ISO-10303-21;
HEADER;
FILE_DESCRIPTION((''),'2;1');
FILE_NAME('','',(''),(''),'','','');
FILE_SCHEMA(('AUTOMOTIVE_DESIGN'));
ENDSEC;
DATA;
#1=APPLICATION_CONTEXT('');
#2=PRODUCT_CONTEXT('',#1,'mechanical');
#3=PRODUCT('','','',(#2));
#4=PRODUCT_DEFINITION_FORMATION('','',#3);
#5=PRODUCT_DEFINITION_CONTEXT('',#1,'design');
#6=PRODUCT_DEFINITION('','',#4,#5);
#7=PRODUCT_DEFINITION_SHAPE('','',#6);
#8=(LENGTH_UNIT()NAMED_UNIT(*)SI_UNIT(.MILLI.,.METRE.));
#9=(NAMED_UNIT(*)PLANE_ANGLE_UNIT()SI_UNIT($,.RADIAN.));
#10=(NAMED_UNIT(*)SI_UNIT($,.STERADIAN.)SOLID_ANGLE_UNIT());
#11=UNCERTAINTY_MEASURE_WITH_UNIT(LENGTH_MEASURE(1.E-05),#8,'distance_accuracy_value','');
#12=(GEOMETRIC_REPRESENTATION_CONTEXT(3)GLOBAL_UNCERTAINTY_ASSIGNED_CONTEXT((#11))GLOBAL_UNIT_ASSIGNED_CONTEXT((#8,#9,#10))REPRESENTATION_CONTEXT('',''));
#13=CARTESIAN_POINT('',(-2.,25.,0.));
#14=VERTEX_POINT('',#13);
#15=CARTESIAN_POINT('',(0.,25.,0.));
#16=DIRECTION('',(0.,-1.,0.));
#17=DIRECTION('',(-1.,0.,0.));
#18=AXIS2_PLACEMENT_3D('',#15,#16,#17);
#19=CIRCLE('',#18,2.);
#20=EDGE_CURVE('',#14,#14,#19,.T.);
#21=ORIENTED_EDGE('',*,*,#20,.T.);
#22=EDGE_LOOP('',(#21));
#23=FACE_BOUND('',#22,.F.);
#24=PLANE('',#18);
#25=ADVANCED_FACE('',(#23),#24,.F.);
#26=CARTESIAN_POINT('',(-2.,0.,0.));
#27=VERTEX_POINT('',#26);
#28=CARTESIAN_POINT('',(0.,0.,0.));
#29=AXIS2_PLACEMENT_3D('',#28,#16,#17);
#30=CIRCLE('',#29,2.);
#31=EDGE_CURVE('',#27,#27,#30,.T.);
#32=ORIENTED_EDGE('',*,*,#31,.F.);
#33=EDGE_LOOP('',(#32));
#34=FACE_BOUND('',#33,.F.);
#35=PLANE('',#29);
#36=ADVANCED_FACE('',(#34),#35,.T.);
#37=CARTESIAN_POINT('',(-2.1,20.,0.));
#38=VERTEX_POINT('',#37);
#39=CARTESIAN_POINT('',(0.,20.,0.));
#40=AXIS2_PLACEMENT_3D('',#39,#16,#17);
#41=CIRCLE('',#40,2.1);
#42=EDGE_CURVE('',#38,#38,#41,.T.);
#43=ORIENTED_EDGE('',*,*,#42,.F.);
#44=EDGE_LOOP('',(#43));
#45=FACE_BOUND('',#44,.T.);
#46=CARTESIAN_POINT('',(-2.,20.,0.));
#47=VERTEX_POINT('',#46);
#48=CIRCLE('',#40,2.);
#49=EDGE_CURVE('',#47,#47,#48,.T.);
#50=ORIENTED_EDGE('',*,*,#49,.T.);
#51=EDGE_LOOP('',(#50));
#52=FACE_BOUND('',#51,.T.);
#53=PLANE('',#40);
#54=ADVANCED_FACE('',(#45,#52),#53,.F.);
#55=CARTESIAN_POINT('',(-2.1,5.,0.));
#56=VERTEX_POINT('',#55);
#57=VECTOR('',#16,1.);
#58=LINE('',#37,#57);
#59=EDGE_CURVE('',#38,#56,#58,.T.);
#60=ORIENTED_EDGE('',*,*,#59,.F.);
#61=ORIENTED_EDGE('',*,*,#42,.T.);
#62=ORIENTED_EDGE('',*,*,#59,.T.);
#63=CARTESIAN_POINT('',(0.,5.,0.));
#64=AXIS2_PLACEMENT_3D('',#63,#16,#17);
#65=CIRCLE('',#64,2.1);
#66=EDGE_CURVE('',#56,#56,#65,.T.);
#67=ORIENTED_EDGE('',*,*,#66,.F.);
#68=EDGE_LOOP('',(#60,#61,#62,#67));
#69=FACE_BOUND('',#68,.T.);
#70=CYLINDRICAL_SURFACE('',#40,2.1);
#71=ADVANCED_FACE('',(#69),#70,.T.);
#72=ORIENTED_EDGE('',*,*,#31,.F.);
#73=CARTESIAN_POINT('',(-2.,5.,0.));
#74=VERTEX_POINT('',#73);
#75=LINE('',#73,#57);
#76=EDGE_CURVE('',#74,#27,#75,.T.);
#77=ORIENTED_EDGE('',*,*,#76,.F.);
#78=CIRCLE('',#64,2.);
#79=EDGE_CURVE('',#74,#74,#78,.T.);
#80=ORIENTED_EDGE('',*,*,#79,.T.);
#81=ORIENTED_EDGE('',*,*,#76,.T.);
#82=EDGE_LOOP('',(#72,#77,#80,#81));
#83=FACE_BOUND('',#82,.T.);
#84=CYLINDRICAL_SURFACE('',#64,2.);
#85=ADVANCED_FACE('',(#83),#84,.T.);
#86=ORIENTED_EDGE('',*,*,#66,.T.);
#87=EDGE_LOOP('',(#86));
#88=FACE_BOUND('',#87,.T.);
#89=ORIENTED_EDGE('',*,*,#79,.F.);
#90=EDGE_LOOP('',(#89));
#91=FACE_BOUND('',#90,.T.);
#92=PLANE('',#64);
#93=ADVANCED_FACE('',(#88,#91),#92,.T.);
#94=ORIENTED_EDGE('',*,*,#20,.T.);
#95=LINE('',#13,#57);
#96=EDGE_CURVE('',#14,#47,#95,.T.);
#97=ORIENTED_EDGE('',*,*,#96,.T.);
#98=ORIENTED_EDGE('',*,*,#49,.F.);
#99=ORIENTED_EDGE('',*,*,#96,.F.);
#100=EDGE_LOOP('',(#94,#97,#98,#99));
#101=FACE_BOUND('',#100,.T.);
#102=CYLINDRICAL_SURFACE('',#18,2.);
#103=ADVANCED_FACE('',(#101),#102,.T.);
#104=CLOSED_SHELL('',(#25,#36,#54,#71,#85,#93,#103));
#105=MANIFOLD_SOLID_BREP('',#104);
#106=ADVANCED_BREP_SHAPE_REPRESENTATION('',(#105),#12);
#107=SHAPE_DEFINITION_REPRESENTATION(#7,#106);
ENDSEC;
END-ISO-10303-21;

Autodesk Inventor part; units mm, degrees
ref_plane "YZ Plane" through (0, 0, 0) normal (1, 0, 0) x (0, 1, 0)
ref_plane "XZ Plane" through (0, 0, 0) normal (0, 1, 0) x (-1, 0, 0)
ref_plane "XY Plane" through (0, 0, 0) normal (0, 0, 1) x (1, 0, 0)
sketch "Sketch1" plane through (0, 0, 0) normal (0, 0, 1) x (1, 0, 0)
  line L0 (0, 0) -> (-2, 0)
  line L1 (-2, 25) -> (0, 25)
  line L2 (0, 25) -> (0, 0)
  line L3 (-2, 25) -> (-2, 20)
  line L4 (-2, 20) -> (-2.1, 20)
  line L5 (-2.1, 20) -> (-2.1, 5)
  line L6 (-2.1, 5) -> (-2, 5)
  line L7 (-2, 5) -> (-2, 0)
  dimension "d0" = 2
  dimension "d7" = 2.1
  dimension "d12" = 5
  dimension "d13" = 5
  dimension "d14" = 25
revolve "Revolution1" add sketch "Sketch1" angle 360 about axis through (0, 25, 0) along (0, -1, 0)
thread "Thread2" size "M4x0.7" class "6g" standard "ANSI Metric M Profile" full length
properties part number "FrameSupport-Link" material "Copper"
